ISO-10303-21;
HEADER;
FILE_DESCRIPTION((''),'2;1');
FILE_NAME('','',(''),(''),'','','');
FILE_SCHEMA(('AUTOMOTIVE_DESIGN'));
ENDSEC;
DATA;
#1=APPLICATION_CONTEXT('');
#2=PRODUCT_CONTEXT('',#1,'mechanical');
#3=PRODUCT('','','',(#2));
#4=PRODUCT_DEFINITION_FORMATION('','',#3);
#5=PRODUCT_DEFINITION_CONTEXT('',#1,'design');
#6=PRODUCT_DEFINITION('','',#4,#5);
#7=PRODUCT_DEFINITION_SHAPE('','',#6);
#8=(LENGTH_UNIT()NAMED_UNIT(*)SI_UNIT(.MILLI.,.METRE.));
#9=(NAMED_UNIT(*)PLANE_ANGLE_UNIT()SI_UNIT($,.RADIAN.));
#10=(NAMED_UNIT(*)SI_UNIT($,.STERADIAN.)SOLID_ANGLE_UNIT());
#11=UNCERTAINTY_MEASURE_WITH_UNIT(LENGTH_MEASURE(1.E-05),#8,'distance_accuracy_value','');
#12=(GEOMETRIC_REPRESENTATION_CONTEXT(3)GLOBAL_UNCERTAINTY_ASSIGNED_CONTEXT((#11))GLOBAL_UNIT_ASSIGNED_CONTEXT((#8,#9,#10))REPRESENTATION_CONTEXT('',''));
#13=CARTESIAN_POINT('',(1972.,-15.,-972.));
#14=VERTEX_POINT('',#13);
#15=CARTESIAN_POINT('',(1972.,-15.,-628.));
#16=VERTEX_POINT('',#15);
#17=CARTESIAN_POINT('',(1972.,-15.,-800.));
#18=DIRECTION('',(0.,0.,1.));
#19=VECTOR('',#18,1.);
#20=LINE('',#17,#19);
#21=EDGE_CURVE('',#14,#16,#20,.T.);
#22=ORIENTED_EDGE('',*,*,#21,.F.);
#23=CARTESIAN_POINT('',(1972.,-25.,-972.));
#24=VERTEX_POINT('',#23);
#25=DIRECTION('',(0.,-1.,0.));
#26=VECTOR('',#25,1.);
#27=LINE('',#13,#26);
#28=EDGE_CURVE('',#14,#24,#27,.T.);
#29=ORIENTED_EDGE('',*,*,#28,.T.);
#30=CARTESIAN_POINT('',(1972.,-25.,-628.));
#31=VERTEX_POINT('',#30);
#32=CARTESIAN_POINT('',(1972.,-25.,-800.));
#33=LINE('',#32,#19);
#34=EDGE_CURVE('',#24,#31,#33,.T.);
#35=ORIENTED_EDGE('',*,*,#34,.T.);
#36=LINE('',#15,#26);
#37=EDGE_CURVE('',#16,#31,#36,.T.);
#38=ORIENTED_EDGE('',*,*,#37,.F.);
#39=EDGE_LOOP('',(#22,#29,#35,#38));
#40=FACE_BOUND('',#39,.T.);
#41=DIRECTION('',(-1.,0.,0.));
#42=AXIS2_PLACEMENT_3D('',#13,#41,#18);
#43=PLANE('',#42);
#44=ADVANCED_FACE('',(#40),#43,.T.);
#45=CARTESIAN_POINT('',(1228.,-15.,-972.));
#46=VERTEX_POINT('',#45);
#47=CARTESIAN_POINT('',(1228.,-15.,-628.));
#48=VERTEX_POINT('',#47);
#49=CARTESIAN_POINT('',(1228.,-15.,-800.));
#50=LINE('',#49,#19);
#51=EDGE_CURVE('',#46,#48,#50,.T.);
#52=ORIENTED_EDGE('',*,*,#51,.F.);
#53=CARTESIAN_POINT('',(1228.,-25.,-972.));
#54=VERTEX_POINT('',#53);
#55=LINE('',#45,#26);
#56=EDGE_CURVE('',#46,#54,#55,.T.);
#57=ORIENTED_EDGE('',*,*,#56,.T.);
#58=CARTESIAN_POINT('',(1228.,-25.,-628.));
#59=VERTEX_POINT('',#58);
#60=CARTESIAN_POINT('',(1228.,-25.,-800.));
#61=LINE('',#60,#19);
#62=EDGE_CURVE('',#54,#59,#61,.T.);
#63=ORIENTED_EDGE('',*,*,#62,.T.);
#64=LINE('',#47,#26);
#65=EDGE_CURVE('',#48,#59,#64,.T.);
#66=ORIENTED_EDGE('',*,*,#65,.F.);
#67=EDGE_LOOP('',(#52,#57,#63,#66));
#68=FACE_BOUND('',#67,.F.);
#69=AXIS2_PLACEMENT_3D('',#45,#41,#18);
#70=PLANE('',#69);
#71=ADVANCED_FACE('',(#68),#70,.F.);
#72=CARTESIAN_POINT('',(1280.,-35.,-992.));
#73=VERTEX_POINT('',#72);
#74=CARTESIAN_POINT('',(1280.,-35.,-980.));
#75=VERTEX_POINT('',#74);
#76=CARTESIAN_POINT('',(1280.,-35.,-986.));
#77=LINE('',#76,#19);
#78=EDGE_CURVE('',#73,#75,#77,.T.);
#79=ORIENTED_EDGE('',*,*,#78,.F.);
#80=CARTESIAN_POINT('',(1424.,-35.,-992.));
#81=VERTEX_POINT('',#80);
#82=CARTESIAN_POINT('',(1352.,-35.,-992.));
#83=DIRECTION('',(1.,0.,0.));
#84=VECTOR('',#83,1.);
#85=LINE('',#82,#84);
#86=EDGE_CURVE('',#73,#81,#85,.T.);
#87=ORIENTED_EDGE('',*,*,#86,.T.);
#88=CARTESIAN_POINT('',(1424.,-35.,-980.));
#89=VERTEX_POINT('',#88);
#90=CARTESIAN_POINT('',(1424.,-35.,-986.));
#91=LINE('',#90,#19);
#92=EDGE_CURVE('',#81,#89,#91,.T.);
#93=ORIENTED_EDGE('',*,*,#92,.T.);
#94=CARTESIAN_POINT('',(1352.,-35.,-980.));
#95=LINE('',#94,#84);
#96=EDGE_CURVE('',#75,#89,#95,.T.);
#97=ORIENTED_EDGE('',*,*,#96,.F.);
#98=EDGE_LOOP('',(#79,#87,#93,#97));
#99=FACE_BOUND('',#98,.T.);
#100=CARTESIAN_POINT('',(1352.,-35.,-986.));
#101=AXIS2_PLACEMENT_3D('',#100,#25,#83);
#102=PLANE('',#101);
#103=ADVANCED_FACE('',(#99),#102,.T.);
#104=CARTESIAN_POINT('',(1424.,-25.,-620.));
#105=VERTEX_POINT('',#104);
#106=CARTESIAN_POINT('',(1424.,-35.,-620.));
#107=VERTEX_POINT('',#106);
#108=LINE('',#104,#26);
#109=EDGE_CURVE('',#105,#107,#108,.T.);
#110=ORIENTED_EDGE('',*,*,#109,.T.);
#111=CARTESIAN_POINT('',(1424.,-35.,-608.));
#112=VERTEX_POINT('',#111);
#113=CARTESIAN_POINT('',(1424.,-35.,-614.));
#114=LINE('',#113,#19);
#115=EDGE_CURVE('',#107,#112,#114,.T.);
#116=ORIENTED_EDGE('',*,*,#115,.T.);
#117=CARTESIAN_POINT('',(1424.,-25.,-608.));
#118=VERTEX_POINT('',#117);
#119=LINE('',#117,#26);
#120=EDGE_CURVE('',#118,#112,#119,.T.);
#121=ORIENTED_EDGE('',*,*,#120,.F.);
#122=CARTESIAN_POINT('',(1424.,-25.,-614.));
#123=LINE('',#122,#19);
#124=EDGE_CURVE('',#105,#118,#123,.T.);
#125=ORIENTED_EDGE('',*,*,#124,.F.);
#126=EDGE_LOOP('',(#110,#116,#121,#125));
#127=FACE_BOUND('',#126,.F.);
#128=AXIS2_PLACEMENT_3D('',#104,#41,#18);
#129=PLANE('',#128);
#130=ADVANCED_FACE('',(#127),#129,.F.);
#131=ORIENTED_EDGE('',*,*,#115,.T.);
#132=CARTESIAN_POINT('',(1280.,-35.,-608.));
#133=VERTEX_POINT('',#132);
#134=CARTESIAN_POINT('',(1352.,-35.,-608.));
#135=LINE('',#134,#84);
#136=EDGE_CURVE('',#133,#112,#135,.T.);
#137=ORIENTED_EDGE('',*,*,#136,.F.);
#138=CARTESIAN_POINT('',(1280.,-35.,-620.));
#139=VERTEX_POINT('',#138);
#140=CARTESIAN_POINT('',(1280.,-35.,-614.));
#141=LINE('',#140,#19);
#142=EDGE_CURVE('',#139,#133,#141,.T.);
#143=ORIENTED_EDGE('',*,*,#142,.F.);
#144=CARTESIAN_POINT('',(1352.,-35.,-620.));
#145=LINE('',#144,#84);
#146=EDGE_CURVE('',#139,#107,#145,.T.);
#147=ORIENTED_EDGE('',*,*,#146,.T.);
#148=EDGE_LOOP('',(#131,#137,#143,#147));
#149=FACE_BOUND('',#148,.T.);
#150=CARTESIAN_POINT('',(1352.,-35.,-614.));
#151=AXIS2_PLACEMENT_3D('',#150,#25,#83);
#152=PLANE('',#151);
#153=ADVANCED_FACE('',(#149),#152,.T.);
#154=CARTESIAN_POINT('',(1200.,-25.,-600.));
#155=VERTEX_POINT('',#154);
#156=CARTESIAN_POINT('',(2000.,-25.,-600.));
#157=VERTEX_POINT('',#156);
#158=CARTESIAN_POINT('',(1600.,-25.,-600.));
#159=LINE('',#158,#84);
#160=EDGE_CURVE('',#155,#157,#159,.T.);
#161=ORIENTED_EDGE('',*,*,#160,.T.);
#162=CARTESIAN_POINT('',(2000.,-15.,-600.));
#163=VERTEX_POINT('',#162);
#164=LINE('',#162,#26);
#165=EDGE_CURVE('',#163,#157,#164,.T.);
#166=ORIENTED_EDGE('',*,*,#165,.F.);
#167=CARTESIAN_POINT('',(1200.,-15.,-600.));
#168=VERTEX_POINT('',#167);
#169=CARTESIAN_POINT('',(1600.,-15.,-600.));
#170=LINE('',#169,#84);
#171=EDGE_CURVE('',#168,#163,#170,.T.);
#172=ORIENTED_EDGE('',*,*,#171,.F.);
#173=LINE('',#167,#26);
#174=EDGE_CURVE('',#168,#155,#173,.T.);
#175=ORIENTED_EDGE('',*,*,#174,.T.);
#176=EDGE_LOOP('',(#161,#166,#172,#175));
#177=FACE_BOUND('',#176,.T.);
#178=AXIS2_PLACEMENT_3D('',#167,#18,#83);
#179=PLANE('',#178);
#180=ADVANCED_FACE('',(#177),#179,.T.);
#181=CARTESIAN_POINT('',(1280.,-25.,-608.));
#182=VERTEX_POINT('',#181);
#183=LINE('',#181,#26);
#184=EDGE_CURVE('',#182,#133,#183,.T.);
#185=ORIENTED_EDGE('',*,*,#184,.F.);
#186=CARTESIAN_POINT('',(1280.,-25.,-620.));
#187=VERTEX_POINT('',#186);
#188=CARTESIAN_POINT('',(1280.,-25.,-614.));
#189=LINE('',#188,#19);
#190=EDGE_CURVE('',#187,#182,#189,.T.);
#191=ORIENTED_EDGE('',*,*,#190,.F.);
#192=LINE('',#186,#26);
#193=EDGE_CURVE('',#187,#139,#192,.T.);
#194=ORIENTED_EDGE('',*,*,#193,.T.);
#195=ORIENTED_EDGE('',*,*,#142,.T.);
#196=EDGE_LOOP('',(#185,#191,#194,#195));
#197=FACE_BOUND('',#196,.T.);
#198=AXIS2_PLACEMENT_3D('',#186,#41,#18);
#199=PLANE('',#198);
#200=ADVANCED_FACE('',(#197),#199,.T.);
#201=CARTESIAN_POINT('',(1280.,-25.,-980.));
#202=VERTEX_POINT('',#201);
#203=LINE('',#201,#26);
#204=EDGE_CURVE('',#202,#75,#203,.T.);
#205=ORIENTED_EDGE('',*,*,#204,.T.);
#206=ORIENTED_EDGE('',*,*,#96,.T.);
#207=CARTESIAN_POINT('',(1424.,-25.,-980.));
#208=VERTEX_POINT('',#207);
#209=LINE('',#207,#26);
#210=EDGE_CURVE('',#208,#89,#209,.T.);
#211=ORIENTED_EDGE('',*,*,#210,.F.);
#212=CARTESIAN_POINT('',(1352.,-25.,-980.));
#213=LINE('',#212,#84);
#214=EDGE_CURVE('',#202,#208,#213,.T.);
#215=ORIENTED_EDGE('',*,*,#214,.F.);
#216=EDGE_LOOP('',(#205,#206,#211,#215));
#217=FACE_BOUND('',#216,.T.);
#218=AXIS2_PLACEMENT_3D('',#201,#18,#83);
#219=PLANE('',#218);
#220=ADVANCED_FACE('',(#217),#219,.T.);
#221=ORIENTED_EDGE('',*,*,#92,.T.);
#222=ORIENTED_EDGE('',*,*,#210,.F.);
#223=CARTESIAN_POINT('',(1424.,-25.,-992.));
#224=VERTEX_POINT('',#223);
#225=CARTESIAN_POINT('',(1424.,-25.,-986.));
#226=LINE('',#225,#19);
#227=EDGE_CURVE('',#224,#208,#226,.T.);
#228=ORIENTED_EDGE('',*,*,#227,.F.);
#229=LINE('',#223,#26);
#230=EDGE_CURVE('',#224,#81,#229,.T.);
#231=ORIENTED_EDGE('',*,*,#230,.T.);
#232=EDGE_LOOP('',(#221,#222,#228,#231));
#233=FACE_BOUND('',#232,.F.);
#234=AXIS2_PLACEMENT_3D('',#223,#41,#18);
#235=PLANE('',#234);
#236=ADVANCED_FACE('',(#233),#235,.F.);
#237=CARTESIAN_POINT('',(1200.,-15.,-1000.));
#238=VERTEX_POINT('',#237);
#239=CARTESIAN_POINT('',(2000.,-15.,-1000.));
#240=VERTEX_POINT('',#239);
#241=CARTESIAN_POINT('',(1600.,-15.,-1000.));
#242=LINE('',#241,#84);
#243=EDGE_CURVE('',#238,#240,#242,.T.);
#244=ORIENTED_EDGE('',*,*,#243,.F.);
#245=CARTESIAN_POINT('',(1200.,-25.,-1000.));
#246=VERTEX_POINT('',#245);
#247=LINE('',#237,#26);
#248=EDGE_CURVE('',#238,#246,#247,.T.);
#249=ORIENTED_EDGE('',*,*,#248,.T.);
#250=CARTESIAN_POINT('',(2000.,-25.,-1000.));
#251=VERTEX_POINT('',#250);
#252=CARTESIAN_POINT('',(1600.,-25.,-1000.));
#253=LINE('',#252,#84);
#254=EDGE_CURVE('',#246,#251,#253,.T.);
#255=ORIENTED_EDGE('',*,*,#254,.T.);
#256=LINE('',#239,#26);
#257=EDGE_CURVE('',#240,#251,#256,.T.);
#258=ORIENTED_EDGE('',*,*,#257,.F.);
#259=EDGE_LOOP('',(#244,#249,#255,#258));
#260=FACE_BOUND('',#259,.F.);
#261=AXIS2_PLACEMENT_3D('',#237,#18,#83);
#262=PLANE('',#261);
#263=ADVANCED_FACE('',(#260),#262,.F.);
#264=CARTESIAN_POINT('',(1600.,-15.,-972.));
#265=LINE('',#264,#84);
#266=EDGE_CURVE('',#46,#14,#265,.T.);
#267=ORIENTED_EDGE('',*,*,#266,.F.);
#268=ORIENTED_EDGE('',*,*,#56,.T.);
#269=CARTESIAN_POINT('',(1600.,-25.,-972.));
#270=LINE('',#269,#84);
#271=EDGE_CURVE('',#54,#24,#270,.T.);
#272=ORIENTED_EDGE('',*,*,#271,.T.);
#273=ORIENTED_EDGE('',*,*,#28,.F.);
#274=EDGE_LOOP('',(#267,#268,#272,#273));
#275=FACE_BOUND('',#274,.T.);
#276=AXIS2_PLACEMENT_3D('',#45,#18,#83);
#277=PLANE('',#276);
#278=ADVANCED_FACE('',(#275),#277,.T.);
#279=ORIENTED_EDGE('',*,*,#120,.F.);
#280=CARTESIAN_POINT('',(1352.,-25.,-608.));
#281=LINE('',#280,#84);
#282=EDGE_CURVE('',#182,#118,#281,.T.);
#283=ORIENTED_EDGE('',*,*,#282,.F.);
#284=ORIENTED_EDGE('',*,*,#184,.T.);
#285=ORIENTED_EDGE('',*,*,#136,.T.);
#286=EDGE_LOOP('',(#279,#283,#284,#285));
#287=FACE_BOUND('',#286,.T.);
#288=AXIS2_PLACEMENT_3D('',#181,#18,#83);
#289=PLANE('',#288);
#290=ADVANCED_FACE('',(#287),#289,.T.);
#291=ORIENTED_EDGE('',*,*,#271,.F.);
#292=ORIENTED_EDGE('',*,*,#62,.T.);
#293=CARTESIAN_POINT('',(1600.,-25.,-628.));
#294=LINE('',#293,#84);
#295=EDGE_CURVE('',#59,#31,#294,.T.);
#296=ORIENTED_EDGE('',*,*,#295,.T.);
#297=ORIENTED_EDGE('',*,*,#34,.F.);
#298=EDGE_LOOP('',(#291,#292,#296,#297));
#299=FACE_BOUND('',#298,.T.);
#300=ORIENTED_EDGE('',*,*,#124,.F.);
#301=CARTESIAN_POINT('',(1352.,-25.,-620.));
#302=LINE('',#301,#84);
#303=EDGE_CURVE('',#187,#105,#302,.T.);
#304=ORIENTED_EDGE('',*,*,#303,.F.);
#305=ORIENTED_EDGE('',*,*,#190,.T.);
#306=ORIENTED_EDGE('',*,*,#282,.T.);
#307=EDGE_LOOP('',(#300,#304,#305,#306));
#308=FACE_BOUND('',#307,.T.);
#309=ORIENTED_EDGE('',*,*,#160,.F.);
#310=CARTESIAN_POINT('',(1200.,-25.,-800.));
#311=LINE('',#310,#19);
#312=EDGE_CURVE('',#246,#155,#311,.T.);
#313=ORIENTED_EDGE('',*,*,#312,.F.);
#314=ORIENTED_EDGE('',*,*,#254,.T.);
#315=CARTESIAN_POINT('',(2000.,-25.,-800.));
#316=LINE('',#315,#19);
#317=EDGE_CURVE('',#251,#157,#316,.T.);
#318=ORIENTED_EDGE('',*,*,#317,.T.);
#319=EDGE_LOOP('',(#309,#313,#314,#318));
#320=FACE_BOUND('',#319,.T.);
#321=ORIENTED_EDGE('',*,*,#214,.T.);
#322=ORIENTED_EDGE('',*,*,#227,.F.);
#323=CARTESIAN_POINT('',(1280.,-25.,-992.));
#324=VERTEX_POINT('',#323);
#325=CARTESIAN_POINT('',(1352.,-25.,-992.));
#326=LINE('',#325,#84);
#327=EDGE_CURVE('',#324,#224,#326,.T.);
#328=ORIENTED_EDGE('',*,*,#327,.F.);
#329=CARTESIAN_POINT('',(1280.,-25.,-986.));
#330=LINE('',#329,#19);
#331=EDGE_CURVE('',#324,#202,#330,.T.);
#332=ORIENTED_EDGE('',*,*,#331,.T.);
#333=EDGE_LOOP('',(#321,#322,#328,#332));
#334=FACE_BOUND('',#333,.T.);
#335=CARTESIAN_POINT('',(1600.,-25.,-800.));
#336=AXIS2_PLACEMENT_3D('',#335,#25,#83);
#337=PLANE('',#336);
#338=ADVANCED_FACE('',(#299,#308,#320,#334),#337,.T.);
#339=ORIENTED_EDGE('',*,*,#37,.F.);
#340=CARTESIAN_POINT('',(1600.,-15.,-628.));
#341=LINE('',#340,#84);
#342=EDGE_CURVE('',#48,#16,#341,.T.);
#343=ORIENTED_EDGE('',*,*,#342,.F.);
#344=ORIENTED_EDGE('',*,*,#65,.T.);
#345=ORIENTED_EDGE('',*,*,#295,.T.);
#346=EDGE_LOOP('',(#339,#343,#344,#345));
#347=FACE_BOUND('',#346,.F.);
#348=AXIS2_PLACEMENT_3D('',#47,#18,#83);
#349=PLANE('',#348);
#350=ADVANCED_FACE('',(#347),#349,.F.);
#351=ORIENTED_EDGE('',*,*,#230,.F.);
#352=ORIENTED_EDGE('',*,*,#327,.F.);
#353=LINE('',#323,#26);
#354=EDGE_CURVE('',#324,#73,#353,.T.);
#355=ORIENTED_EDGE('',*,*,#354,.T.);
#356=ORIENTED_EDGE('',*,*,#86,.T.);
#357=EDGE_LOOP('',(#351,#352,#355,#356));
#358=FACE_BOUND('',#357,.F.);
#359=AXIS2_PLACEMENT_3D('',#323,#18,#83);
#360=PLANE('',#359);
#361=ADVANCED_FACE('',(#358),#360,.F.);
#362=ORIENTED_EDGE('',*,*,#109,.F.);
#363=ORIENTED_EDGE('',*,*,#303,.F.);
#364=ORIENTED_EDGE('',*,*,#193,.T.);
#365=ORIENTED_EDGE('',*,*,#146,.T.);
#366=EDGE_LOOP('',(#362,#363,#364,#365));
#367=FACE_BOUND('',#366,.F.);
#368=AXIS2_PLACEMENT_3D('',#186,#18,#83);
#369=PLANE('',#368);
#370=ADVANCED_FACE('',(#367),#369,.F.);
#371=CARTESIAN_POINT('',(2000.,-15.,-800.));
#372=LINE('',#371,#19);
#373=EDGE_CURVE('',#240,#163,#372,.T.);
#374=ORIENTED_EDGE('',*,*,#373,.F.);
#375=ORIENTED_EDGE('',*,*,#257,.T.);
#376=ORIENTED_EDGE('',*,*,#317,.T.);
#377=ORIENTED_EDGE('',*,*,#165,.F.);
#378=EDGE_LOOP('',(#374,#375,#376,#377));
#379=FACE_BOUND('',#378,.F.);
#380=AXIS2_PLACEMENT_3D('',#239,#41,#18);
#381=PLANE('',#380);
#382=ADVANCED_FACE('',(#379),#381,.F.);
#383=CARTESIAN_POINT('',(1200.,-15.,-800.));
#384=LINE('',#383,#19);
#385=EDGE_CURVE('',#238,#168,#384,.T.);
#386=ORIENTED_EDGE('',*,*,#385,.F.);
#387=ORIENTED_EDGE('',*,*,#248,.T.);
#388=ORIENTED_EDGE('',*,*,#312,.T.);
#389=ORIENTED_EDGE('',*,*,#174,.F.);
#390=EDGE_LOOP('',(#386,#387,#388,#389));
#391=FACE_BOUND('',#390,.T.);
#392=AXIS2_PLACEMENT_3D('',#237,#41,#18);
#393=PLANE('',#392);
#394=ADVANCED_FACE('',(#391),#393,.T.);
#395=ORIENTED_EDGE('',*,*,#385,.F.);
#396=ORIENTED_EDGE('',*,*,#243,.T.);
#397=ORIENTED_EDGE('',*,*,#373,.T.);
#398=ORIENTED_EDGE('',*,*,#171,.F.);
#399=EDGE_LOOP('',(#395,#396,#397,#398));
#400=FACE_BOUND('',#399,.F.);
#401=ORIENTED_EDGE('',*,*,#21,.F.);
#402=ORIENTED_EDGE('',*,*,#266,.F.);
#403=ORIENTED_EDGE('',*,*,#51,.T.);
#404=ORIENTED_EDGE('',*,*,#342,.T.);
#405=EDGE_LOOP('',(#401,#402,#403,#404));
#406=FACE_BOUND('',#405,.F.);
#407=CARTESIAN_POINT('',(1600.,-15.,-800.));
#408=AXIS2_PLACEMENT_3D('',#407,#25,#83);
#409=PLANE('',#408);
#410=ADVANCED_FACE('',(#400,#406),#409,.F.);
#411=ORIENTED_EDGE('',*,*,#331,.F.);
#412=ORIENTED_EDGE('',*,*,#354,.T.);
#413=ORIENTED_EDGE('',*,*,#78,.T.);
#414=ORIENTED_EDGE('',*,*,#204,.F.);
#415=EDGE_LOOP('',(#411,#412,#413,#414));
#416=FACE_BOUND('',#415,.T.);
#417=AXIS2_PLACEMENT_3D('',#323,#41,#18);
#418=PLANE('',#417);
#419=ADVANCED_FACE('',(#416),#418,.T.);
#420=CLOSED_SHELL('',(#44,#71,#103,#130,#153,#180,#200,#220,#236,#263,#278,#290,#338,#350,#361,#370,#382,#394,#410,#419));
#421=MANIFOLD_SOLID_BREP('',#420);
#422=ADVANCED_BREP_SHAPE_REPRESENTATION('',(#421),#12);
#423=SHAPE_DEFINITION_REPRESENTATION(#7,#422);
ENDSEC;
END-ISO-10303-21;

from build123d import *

# Parameters (mm, degrees)
F0_W     = 2000
F0_H     = 1000
F0_W_2   = 1860
F0_H_2   = 860
F1_DEPTH = 25
F2_W     = 360
F2_H     = 30
F3_DEPTH = 25
F4_SCALE = 0.4


with BuildPart() as f1:
    # F0 (on Front) → F1 (new body)
    with BuildSketch(Plane.XZ):
        with Locations((1000, -500)):
            Rectangle(F0_W, F0_H)
        with Locations((1000, -500)):
            Rectangle(F0_W_2, F0_H_2, mode=Mode.SUBTRACT)
    extrude(amount=F1_DEPTH)

    # F2 (on face) → F3 (join)
    with BuildSketch(Plane.XZ.offset(25)):
        with Locations((380, -35)):
            Rectangle(F2_W, F2_H)
        with Locations((380, -965)):
            Rectangle(F2_W, F2_H)
    extrude(amount=F3_DEPTH)


with BuildPart() as f1_1:
    # F4: moved
    add(f1.part.scale(F4_SCALE).moved(Location((1200, -15, -600))))


solid = f1_1.part
